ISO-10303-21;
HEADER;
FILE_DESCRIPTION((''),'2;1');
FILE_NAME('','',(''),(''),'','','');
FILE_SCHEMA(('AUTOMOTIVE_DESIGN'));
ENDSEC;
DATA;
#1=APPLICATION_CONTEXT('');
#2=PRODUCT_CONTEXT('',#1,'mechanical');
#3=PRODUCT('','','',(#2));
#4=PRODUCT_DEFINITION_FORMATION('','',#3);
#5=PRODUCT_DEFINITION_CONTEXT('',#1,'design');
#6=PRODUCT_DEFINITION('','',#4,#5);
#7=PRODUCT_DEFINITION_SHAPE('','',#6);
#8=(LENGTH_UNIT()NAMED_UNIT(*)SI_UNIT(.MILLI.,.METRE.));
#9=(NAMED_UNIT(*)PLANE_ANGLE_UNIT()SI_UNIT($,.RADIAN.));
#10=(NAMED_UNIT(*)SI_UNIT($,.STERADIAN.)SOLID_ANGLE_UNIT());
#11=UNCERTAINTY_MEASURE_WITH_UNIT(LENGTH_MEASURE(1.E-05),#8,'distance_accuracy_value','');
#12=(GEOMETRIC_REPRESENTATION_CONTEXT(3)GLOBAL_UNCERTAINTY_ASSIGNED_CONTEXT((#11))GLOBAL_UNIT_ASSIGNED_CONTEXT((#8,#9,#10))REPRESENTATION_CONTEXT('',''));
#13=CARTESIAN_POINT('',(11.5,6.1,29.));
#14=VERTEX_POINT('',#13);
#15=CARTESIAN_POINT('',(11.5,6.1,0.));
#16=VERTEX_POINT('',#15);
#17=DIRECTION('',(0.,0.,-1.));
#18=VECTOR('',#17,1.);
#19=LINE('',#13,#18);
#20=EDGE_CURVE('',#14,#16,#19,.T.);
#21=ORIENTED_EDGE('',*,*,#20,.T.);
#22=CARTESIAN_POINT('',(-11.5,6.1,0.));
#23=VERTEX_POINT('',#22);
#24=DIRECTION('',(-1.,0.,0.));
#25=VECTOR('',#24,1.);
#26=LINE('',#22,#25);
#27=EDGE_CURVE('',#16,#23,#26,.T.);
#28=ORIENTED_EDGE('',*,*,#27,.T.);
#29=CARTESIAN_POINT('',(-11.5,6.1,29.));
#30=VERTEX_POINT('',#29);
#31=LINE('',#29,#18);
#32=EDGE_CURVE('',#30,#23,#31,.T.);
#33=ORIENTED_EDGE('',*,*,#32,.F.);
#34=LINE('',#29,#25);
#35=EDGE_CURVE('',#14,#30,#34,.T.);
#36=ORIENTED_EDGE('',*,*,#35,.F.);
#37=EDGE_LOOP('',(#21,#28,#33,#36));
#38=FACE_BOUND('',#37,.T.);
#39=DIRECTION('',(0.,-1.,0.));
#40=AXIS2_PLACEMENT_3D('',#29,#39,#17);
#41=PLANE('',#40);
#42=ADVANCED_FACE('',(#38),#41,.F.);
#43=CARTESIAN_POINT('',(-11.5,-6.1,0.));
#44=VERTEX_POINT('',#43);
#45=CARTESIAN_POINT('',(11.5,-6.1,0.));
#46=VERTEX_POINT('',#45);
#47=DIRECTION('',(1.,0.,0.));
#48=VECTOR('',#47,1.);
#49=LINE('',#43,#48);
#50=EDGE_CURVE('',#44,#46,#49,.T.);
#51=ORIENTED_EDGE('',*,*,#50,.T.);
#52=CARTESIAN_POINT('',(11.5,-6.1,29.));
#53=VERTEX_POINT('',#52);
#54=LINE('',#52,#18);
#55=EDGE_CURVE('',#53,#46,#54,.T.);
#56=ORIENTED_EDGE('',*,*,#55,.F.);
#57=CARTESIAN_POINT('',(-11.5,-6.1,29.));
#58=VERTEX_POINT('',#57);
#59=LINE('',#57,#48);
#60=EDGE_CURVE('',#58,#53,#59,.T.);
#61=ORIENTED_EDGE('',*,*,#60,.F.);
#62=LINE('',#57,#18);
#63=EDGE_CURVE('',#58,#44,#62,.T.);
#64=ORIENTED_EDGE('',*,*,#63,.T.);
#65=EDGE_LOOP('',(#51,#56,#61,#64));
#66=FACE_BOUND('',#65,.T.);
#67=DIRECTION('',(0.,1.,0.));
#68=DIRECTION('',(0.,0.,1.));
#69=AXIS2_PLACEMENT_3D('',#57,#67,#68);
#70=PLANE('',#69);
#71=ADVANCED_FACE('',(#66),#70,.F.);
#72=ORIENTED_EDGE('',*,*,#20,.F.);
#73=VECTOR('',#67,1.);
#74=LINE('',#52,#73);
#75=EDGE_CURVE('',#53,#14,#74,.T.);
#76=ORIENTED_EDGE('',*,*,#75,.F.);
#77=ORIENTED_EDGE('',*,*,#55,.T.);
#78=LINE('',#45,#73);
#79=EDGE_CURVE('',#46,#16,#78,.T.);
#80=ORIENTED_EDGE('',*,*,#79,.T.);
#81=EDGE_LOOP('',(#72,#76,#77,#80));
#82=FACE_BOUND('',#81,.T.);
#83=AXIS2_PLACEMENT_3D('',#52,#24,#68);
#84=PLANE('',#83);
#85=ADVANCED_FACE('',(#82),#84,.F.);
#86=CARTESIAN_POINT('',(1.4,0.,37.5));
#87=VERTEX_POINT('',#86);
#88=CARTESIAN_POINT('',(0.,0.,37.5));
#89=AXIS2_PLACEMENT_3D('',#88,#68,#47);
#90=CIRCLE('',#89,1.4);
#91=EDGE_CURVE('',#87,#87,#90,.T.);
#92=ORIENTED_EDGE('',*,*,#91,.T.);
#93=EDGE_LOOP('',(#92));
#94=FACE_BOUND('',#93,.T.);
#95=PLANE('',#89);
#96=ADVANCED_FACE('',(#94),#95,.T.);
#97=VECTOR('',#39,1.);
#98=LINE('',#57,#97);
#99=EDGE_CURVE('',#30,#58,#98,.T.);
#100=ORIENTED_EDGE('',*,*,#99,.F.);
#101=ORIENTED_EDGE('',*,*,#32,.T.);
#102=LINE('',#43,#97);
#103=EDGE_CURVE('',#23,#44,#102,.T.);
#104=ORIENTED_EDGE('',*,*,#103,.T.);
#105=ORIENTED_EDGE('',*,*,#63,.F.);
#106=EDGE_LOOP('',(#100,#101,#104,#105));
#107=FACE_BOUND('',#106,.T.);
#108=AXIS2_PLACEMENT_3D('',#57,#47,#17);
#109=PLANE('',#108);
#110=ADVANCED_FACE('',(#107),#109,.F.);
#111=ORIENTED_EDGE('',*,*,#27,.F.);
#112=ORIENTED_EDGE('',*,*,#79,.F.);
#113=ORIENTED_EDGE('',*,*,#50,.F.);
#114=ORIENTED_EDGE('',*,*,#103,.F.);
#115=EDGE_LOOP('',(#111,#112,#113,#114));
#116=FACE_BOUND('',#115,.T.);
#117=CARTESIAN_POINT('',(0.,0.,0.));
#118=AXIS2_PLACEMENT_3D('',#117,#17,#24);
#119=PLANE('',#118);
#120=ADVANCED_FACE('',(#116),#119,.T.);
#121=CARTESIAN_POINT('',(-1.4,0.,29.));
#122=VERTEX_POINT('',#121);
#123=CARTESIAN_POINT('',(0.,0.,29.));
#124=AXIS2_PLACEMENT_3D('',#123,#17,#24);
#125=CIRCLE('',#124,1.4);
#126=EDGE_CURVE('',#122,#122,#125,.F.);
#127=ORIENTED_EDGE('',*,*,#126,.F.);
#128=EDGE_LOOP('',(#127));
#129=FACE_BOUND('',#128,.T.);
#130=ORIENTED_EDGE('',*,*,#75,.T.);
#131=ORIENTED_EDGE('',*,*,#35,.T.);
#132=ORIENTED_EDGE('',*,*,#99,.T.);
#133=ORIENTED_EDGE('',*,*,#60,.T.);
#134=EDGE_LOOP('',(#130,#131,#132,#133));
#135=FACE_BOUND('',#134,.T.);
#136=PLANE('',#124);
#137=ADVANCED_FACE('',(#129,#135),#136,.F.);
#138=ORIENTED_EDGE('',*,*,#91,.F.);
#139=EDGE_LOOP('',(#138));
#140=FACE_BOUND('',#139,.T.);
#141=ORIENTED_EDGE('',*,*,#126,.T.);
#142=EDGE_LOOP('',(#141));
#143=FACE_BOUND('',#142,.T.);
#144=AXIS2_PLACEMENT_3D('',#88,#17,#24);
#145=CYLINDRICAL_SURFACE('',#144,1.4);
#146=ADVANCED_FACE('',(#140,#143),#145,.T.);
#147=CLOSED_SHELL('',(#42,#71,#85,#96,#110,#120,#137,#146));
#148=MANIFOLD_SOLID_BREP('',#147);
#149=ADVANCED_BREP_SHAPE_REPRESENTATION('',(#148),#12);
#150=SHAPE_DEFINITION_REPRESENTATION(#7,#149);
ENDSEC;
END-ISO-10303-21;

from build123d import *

# Parameters (mm, degrees)
SKETCH2_W                                      = 23
SKETCH2_H                                      = 12.2
SG90_REFERENCE_ENVELOPE_DEPTH                  = 29
OUTPUT_AXIS_REFERENCE_NOT_VENDOR_GEOMETR_START = 29
SKETCH3_R                                      = 1.4
OUTPUT_AXIS_REFERENCE_NOT_VENDOR_GEOMETR_DEPTH = 8.5


with BuildPart() as part:
    # Sketch2 → SG90_reference_envelope (new body)
    with BuildSketch(Plane.XY):
        Rectangle(SKETCH2_W, SKETCH2_H)
    extrude(amount=SG90_REFERENCE_ENVELOPE_DEPTH)

    # Sketch3 → Output_axis_REFERENCE_NOT_VENDOR_GEOMETRY (add)
    with BuildSketch(Plane.XY.offset(OUTPUT_AXIS_REFERENCE_NOT_VENDOR_GEOMETR_START)):
        with Locations(Location((0, 0, 0), (0, 0, 180))):
            Circle(SKETCH3_R)
    extrude(amount=OUTPUT_AXIS_REFERENCE_NOT_VENDOR_GEOMETR_DEPTH)


solid = part.part
